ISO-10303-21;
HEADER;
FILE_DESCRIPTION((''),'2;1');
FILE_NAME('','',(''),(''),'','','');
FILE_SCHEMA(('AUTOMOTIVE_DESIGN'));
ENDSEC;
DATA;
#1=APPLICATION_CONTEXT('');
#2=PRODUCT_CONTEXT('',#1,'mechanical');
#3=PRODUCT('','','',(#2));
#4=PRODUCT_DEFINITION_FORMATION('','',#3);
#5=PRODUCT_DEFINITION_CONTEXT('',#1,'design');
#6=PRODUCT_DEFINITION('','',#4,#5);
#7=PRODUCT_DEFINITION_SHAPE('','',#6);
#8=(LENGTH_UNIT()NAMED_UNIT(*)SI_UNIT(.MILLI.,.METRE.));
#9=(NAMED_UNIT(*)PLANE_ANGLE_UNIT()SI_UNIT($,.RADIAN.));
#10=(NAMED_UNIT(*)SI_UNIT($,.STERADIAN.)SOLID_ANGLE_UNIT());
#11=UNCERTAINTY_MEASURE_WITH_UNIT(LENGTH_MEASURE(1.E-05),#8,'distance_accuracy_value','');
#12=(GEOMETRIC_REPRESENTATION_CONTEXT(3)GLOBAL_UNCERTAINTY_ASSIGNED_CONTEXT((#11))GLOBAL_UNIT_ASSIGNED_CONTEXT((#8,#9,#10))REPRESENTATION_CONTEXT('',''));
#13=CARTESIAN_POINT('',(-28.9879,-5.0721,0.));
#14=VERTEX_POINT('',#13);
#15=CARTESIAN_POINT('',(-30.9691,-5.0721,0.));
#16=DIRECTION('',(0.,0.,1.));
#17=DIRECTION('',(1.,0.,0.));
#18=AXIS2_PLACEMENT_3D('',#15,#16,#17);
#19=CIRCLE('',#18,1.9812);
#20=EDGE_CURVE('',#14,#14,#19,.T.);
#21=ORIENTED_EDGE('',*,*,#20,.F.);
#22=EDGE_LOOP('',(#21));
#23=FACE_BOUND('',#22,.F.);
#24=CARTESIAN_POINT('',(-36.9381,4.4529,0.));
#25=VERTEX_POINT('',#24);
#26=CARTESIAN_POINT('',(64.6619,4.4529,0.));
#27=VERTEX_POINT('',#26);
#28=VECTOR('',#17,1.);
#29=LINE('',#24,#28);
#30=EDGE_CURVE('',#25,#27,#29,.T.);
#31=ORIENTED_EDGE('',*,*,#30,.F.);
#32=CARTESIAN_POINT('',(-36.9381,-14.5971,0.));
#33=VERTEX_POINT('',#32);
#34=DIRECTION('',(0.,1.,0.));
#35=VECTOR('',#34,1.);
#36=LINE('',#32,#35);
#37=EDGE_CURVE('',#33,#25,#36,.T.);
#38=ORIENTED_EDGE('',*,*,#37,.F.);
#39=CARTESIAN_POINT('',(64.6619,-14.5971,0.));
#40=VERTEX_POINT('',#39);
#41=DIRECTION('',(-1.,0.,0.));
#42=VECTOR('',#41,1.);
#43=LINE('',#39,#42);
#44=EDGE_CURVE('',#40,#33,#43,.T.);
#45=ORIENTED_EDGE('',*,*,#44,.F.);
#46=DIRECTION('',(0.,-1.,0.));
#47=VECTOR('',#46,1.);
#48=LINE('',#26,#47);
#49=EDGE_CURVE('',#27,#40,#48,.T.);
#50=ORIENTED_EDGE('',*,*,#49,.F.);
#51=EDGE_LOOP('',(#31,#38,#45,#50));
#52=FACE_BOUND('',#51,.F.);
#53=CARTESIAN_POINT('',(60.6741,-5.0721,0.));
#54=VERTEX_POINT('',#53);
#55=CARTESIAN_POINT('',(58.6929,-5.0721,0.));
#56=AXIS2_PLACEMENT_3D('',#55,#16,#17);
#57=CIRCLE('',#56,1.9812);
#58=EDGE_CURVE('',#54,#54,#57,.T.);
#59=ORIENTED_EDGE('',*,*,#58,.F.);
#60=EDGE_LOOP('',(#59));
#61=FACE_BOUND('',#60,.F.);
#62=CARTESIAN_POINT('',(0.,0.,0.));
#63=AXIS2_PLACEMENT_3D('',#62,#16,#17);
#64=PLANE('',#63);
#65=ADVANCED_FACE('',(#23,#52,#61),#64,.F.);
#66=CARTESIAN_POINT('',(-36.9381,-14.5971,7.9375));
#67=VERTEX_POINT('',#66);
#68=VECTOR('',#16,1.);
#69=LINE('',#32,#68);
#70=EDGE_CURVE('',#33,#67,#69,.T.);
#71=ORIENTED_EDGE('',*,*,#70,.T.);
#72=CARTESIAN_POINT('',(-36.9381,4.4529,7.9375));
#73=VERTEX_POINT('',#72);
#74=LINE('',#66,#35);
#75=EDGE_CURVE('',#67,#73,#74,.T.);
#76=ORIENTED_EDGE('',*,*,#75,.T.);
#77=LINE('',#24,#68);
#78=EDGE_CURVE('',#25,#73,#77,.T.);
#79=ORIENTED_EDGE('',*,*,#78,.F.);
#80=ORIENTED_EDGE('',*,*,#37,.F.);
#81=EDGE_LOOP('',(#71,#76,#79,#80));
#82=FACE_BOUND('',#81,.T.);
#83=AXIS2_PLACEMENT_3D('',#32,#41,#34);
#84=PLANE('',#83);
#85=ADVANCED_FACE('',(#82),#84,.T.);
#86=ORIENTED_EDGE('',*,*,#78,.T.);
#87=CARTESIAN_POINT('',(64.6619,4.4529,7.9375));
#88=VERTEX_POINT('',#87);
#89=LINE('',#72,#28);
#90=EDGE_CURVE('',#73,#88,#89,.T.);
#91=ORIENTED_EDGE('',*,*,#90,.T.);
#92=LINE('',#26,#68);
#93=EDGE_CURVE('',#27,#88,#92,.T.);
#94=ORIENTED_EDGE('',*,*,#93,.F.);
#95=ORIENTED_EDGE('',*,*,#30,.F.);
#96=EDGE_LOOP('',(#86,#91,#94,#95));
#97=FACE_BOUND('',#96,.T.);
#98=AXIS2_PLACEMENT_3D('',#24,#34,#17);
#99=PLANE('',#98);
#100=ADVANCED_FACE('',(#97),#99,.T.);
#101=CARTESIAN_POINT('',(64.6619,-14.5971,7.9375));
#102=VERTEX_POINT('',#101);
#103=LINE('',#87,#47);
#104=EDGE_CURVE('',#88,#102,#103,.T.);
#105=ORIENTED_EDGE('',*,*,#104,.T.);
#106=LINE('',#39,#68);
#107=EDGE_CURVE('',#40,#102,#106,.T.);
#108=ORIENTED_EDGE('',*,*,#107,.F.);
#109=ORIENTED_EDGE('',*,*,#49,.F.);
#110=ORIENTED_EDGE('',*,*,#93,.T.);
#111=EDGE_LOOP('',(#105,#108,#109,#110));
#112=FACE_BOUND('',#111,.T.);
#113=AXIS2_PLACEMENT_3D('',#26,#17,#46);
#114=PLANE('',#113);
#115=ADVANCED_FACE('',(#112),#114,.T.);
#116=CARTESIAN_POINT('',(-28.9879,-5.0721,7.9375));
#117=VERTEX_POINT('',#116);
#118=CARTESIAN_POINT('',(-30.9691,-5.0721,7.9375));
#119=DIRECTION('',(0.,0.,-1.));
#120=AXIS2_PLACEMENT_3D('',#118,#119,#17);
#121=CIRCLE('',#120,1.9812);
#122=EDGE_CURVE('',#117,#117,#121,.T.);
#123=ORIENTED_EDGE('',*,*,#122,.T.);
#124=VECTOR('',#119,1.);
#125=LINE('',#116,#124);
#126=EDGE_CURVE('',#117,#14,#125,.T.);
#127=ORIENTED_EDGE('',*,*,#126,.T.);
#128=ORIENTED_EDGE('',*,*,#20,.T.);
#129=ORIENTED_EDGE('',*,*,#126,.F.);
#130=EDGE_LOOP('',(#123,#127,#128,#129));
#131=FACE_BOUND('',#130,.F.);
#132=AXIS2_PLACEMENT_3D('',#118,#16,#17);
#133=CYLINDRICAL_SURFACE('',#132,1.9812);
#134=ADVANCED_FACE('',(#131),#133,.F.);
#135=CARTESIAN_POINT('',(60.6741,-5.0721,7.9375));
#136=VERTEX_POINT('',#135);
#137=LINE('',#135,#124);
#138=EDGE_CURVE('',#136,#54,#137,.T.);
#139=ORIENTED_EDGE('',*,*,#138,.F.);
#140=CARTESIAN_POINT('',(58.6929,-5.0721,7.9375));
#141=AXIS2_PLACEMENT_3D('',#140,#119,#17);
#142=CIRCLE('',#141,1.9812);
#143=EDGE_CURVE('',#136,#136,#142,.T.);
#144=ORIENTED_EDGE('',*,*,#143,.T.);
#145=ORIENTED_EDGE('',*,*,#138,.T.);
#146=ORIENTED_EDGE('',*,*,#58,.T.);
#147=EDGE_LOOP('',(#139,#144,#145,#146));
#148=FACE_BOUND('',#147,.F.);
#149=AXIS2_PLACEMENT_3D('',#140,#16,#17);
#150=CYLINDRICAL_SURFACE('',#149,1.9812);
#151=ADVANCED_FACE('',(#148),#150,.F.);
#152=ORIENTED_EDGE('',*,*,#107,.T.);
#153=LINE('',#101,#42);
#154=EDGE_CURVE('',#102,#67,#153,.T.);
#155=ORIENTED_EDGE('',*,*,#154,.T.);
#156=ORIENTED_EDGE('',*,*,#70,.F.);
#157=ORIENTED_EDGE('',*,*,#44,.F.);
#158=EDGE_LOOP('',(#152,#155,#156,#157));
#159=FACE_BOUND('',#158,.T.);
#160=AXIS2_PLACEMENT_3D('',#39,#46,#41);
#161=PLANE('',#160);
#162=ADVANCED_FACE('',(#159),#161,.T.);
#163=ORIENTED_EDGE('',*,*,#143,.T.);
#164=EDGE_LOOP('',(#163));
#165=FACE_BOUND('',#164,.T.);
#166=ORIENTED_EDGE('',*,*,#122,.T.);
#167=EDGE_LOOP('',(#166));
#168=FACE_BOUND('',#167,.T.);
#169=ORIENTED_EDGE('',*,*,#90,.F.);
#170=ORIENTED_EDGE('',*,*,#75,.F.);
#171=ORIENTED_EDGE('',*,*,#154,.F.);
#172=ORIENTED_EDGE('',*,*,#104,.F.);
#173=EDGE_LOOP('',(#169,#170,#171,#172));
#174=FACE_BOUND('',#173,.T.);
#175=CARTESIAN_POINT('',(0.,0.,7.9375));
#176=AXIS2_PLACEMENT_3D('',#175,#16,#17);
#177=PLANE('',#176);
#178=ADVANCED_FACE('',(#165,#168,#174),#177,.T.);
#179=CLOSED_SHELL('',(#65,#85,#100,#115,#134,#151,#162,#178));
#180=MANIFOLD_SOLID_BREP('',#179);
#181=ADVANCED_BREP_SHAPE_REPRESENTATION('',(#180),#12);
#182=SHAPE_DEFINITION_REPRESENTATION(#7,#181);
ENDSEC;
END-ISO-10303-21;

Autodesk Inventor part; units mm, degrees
ref_plane "YZ Plane" through (0, 0, 0) normal (1, 0, 0) x (0, 1, 0)
ref_plane "XZ Plane" through (0, 0, 0) normal (0, 1, 0) x (-1, 0, 0)
ref_plane "XY Plane" through (0, 0, 0) normal (0, 0, 1) x (1, 0, 0)
sketch "Sketch1" plane through (0, 0, 0) normal (0, 0, 1) x (1, 0, 0)
  line L0 (-36.9381, 4.4529) -> (64.6619, 4.4529)
  line L1 (64.6619, 4.4529) -> (64.6619, -14.5971)
  line L2 (64.6619, -14.5971) -> (-36.9381, -14.5971)
  line L3 (-36.9381, -14.5971) -> (-36.9381, 4.4529)
  point P0 (0, 0)
  dimension "d0" = 101.6
  dimension "d1" = 19.05
extrude "Extrusion1" add sketch "Sketch1" along normal blind 7.9375
sketch "Sketch2" plane through (0, 0, 7.9375) normal (0, 0, 1) x (1, 0, 0)
  line L0 (-36.9381, -14.5971) -> (-36.9381, 4.4529) projected
  line L1 (64.6619, -14.5971) -> (-36.9381, -14.5971) projected
  line L2 (-36.9381, -5.0721) -> (13.8619, -5.0721)
  line L3 (13.8619, -5.0721) -> (58.6929, -5.0721)
  line L4 (58.6929, -5.0721) -> (-30.9691, -5.0721)
  circle A0 centre (-30.9691, -5.0721) radius 1.9812
  circle A1 centre (58.6929, -5.0721) radius 1.9812
  point P0 (0, 0)
  dimension "d4" = 44.831
  dimension "d5" = 89.662
  dimension "d6" = 3.9624
extrude "Extrusion2" cut sketch "Sketch2" against normal blind 7.9375
properties part number "spacers"
